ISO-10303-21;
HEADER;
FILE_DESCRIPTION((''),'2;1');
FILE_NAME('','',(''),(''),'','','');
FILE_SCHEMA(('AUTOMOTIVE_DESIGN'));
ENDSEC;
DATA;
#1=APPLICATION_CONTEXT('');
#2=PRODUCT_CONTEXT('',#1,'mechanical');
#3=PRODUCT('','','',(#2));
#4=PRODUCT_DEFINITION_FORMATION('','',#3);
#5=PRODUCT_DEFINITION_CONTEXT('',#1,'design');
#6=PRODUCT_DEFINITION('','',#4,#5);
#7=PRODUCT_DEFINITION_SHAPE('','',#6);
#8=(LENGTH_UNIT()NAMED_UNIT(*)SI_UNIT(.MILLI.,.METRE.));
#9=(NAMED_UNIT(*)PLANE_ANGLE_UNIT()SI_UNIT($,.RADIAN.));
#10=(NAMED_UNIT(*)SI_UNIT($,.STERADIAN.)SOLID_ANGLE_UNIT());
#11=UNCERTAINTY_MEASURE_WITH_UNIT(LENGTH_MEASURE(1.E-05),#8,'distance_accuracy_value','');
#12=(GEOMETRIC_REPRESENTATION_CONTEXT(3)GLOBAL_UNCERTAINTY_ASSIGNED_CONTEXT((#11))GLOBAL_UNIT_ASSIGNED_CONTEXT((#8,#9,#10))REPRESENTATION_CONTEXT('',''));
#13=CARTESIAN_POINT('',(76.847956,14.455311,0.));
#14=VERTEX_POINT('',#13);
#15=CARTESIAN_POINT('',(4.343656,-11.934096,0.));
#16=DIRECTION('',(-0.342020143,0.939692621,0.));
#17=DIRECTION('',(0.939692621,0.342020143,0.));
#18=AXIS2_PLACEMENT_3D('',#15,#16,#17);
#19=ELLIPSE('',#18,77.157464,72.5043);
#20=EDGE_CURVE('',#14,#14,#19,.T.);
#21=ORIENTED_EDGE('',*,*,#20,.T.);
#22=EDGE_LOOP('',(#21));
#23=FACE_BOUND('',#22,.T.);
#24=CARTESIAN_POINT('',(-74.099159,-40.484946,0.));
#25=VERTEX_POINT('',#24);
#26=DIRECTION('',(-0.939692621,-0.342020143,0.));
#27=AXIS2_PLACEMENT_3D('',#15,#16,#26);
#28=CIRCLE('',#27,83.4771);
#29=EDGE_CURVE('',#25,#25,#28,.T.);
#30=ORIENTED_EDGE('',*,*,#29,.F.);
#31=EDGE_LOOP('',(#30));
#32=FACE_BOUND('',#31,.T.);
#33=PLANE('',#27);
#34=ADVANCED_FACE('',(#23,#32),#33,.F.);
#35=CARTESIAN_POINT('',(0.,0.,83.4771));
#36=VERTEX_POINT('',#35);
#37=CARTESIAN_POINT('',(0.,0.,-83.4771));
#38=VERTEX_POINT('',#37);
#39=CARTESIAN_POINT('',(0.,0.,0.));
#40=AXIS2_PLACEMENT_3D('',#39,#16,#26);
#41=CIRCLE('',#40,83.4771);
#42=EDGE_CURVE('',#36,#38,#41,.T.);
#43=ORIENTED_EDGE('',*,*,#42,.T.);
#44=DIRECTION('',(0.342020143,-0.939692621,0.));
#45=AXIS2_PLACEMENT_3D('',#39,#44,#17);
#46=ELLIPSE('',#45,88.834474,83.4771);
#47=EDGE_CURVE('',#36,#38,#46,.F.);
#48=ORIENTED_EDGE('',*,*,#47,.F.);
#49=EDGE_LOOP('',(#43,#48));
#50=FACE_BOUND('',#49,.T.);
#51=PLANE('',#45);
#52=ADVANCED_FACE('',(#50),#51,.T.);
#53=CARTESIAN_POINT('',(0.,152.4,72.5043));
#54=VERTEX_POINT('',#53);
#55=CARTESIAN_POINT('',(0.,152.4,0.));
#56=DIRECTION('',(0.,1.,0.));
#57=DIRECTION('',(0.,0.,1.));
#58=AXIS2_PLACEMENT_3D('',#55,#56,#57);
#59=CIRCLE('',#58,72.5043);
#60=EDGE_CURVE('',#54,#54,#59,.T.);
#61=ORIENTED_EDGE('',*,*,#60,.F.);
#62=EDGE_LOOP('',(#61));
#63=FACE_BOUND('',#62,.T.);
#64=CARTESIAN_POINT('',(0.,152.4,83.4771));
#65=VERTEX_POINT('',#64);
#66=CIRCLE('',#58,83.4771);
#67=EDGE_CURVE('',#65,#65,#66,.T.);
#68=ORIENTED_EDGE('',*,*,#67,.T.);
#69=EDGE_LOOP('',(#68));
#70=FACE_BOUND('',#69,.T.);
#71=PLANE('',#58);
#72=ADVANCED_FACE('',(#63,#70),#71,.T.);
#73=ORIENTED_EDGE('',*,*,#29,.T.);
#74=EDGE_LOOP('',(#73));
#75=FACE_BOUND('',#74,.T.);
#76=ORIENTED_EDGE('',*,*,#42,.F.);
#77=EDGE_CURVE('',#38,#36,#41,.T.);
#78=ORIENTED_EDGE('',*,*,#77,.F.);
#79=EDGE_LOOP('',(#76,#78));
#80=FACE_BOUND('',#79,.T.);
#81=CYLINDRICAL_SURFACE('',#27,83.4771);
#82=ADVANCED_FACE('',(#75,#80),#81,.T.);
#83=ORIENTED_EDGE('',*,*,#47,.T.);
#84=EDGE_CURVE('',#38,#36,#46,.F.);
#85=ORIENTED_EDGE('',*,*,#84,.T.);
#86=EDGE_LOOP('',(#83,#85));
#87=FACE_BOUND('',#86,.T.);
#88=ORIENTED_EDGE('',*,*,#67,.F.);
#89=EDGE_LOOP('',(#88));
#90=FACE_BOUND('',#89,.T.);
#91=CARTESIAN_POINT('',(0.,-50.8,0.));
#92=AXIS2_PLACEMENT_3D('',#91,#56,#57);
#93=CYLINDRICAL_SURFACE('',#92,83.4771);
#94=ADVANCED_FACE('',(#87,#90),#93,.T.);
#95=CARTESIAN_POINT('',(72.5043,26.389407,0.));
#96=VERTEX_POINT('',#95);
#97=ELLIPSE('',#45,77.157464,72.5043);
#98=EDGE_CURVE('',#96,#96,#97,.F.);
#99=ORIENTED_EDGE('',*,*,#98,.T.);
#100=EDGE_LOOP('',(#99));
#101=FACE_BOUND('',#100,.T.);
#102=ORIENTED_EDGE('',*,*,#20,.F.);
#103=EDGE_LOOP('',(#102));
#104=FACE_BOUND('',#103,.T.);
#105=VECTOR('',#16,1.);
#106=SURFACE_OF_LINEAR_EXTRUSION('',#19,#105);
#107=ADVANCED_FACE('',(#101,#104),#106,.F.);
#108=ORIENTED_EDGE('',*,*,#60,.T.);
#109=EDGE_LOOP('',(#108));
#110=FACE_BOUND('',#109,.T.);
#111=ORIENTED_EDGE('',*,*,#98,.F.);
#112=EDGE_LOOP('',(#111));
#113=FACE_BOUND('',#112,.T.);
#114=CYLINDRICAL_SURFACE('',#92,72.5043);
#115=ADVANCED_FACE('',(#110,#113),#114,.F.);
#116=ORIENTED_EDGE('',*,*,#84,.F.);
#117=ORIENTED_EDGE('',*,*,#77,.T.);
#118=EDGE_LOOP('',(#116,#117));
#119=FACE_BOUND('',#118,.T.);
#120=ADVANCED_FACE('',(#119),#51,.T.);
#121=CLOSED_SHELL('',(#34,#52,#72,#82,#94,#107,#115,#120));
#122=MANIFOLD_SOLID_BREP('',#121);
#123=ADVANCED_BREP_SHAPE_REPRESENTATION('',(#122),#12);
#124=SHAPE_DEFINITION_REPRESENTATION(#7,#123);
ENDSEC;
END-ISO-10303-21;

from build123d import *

# Parameters (mm, degrees)
SKETCH1_R                = 83.4771
SKETCH1_R_2              = 72.5043
BOSS_EXTRUDE1_DEPTH      = 152.4
BOSS_EXTRUDE1_DEPTH_BACK = 50.8
SKETCH4_W                = 203.2
SKETCH4_H                = 203.2
CUT_EXTRUDE1_DEPTH       = 152.4
SKETCH5_R                = 83.4771
SKETCH5_RX               = 77.157464469
SKETCH5_RY               = 72.5043
BOSS_EXTRUDE3_DEPTH      = 12.7


with BuildPart() as part:
    # Sketch1 → Boss-Extrude1 (new body, two sides)
    with BuildSketch(Plane(origin=(0, 0, 0), x_dir=(1, 0, 0), z_dir=(0, 1, 0))) as boss_extrude1_sk:
        Circle(SKETCH1_R)
        Circle(SKETCH1_R_2, mode=Mode.SUBTRACT)
    extrude(amount=BOSS_EXTRUDE1_DEPTH)
    extrude(boss_extrude1_sk.sketch, amount=-BOSS_EXTRUDE1_DEPTH_BACK)

    # Sketch4 → Cut-Extrude1 (cut)
    with BuildSketch(Plane(origin=(0, 0, 0), x_dir=(0, 0, -1), z_dir=(-0.342020143, 0.939692621, 0))):
        Rectangle(SKETCH4_W, SKETCH4_H)
    extrude(amount=-CUT_EXTRUDE1_DEPTH, mode=Mode.SUBTRACT)

    # Sketch5 → Boss-Extrude3 (add)
    with BuildSketch(Plane(origin=(0, 0, 0), x_dir=(0, 0, -1), z_dir=(-0.342020143, 0.939692621, 0))):
        Circle(SKETCH5_R)
        with Locations(Location((0, 0), (0, 0, -90))):
            Ellipse(SKETCH5_RX, SKETCH5_RY, mode=Mode.SUBTRACT)
    extrude(amount=-BOSS_EXTRUDE3_DEPTH)


solid = part.part
